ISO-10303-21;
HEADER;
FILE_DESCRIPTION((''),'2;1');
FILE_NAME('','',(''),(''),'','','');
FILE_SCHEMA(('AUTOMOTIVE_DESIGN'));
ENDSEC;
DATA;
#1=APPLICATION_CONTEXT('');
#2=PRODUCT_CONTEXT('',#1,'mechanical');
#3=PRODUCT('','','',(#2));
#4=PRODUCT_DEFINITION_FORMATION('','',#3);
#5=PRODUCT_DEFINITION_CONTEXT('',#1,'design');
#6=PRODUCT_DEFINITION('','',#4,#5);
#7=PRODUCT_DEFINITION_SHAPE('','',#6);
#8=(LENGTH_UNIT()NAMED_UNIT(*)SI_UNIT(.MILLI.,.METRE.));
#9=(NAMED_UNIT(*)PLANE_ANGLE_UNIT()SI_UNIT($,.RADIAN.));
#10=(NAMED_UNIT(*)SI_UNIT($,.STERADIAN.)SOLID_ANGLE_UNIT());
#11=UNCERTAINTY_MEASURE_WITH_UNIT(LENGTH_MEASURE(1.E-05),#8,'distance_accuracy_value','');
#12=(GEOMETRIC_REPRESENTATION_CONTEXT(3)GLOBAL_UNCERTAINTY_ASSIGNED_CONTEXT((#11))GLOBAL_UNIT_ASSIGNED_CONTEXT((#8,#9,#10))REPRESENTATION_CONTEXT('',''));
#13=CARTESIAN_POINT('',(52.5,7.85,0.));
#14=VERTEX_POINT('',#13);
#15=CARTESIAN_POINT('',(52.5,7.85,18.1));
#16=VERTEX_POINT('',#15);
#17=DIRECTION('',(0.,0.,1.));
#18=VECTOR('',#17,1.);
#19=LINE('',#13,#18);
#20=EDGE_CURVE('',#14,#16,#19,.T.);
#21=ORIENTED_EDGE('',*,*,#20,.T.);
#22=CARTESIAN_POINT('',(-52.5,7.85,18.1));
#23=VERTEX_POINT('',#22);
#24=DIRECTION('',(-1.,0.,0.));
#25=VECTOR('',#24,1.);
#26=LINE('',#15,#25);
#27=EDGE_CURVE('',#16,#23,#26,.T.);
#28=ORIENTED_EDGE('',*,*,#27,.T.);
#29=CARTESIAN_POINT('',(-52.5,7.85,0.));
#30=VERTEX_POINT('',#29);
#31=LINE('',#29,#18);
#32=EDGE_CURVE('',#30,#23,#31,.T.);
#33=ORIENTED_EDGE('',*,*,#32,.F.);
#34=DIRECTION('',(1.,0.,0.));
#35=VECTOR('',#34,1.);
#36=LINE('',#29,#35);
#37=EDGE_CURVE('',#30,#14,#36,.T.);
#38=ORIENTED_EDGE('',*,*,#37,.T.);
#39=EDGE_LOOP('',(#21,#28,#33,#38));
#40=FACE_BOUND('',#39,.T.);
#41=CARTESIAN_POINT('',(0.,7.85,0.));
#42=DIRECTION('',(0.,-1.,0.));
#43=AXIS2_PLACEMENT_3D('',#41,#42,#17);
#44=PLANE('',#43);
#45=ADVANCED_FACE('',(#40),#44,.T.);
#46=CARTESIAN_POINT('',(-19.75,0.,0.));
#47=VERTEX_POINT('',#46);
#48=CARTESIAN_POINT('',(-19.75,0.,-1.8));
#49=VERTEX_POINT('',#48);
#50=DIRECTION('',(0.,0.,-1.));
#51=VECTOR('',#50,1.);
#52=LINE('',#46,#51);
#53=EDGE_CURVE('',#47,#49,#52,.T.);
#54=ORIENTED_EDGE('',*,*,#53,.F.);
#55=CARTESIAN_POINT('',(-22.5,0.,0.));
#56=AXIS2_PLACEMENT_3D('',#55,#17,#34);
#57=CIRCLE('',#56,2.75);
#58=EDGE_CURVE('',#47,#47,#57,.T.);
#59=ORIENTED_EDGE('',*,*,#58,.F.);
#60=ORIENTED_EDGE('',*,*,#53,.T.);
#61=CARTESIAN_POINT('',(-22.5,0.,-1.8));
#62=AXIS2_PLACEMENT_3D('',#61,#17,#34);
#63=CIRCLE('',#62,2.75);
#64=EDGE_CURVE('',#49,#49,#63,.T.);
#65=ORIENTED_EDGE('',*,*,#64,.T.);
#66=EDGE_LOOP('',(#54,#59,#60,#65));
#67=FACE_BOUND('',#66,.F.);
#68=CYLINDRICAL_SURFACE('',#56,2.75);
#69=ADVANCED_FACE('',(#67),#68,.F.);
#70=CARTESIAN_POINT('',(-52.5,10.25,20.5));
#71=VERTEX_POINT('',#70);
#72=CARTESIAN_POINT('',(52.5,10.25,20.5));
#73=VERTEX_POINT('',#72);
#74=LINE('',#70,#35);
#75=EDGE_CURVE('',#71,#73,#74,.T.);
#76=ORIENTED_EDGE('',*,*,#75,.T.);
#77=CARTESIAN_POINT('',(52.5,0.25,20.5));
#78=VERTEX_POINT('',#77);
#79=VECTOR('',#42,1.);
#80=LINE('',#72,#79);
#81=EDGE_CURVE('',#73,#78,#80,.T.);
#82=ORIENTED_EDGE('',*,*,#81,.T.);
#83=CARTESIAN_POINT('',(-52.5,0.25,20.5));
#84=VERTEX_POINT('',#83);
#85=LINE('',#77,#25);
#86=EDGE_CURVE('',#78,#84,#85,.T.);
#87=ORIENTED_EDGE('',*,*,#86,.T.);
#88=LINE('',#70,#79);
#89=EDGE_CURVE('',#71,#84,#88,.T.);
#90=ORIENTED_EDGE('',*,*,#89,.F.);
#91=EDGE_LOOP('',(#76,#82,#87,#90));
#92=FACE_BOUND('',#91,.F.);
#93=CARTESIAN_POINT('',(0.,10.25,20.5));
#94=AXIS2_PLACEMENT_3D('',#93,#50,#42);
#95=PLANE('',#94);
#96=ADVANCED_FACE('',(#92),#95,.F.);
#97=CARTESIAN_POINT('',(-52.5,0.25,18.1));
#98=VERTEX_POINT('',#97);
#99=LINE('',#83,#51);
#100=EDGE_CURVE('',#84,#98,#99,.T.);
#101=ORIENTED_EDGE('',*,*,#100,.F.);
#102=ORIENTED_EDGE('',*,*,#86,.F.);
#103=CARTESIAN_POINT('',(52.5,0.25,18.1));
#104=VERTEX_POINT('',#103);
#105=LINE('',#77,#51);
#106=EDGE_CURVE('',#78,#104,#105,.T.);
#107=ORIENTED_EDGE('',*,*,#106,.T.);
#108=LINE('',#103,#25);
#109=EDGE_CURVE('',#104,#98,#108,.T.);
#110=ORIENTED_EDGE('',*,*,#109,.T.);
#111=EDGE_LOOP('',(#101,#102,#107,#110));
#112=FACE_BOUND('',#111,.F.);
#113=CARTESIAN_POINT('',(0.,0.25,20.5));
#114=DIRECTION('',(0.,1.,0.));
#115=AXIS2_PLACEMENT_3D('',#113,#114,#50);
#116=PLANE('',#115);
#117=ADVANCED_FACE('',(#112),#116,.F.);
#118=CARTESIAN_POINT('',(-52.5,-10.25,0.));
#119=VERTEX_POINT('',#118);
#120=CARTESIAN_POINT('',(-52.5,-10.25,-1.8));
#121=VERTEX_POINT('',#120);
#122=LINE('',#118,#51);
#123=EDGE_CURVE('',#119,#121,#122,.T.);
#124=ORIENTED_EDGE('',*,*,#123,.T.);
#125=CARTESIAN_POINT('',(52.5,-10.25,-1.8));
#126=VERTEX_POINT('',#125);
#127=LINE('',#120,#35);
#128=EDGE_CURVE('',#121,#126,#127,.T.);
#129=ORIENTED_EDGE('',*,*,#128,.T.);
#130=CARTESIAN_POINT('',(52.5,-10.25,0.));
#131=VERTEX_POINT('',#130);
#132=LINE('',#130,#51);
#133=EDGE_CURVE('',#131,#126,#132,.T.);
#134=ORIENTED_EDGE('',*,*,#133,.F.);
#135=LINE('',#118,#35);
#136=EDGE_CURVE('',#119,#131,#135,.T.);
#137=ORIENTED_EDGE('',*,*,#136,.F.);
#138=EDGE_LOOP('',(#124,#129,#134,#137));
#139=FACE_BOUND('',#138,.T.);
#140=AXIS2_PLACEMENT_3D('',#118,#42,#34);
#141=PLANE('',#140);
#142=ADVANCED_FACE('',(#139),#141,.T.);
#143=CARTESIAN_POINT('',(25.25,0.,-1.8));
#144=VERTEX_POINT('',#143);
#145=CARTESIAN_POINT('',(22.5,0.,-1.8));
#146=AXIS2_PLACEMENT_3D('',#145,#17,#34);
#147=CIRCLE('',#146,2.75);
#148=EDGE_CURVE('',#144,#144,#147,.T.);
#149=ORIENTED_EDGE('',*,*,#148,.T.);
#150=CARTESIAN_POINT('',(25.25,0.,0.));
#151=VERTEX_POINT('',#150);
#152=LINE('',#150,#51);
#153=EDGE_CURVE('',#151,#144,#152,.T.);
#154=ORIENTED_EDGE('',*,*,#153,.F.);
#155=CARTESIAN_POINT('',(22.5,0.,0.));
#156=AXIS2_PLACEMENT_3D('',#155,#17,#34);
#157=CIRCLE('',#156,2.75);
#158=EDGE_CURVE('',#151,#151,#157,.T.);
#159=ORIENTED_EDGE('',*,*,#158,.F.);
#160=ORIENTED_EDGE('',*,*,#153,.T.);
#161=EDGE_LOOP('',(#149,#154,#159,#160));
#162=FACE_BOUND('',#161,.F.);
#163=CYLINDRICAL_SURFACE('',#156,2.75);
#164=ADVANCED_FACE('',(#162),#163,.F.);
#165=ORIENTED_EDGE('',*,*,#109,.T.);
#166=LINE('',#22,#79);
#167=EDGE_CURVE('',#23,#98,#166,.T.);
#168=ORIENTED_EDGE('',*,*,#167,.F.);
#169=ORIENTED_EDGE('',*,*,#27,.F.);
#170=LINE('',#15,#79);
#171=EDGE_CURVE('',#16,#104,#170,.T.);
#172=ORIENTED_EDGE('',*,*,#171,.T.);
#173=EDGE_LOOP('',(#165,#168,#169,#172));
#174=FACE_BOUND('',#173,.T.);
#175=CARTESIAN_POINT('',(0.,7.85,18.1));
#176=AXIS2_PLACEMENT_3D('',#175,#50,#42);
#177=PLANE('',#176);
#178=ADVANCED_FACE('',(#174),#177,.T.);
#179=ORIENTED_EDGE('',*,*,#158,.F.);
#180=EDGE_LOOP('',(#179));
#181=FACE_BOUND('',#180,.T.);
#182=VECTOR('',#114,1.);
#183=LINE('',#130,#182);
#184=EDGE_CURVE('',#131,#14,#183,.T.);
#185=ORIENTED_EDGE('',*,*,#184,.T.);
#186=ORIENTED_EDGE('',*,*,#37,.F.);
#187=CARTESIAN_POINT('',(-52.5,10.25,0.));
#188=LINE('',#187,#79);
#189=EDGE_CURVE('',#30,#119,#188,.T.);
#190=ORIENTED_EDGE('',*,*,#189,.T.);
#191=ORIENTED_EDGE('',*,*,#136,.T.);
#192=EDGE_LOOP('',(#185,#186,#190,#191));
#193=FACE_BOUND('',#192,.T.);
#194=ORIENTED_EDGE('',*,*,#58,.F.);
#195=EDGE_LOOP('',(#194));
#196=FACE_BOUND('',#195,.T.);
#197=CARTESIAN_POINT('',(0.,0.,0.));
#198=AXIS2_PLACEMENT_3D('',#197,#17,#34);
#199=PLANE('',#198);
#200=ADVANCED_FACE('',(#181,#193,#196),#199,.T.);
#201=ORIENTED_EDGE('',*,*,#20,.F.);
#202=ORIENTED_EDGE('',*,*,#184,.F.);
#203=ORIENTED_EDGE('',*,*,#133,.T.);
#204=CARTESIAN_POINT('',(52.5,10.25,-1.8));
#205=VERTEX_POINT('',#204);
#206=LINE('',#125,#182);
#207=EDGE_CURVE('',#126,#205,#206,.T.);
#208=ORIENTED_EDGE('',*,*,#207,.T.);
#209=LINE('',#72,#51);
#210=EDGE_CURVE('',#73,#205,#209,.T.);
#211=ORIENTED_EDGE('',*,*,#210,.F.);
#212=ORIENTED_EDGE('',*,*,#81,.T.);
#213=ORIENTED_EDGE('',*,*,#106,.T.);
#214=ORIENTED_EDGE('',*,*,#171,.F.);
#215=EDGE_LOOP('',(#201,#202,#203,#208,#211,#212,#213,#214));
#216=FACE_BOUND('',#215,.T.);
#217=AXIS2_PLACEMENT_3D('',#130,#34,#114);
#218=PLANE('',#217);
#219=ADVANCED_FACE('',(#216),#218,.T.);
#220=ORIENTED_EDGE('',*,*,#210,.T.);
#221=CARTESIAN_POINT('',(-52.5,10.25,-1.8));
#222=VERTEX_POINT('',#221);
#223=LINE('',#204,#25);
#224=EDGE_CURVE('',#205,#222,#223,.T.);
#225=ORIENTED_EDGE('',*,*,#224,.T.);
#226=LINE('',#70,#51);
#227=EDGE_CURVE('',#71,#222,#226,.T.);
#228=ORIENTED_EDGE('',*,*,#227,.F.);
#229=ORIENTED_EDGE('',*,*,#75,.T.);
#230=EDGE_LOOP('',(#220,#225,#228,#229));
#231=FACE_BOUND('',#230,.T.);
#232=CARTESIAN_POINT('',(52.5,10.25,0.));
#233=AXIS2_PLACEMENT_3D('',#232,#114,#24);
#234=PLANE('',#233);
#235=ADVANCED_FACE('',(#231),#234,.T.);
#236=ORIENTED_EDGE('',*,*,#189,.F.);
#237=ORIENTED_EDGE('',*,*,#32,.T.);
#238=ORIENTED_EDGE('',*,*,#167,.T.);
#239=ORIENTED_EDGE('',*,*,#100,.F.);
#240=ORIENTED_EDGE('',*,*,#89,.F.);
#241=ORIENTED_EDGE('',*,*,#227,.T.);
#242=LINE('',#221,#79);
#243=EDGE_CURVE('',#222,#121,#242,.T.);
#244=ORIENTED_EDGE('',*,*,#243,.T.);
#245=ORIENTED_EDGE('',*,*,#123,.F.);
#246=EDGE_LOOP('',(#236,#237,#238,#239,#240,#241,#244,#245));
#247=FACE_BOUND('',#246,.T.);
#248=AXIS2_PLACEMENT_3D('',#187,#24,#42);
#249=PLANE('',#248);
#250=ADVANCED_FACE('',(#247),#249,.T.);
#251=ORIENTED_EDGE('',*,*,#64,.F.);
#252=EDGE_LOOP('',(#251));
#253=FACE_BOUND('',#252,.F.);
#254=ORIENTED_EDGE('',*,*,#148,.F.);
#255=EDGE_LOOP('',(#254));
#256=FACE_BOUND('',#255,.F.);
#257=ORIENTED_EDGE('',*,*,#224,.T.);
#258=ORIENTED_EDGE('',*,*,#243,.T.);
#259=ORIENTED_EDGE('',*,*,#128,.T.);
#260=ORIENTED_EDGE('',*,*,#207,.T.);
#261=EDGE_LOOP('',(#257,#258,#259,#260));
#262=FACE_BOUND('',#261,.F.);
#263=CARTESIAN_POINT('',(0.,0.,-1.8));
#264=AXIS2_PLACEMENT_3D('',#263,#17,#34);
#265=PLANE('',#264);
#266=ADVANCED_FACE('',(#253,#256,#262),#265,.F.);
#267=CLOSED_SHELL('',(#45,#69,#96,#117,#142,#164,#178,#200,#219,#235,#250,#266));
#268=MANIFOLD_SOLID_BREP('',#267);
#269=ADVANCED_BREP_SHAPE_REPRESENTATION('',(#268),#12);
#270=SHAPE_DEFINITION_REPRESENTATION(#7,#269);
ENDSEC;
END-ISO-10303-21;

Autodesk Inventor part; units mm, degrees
ref_plane "YZ Plane" through (0, 0, 0) normal (1, 0, 0) x (0, 1, 0)
ref_plane "XZ Plane" through (0, 0, 0) normal (0, 1, 0) x (-1, 0, 0)
ref_plane "XY Plane" through (0, 0, 0) normal (0, 0, 1) x (1, 0, 0)
sketch "Skizze1" plane through (0, 0, 0) normal (0, 0, 1) x (1, 0, 0)
  line L0 (-52.5, -10.25) -> (52.5, -10.25)
  line L1 (52.5, -10.25) -> (52.5, 10.25)
  line L2 (52.5, 10.25) -> (-52.5, 10.25)
  line L3 (-52.5, 10.25) -> (-52.5, -10.25)
  line L4 (-52.5, -10.25) -> (52.5, 10.25) construction
  line L5 (52.5, -10.25) -> (-52.5, 10.25) construction
  line L6 (-52.5, 0) -> (52.5, 0) construction
  circle A0 centre (-22.5, 0) radius 2.75
  circle A1 centre (22.5, 0) radius 2.75
  line L7 (0, -14.35) -> (0, 14.35) construction
  point P0 (0, 0)
  dimension "d0" = 105
  dimension "d1" = 20.5
  dimension "d2" = 5.5
  dimension "d3" = 5.5
  dimension "d4" = 45
sketch "Skizze2" plane through (0, 0, 0) normal (1, 0, 0) x (0, 1, 0)
  line L0 (-14.35, 0) -> (14.35, 0) construction
  line L1 (0.25, 0) -> (10.25, 0)
  line L2 (10.25, 0) -> (10.25, 20.5)
  line L3 (10.25, 20.5) -> (0.25, 20.5)
  line L4 (0.25, 20.5) -> (0.25, 0)
  line L5 (0.25, 0) -> (7.85, 0)
  line L6 (7.85, 0) -> (7.85, 18.1)
  line L7 (7.85, 18.1) -> (0.25, 18.1)
  line L8 (0.25, 18.1) -> (0.25, 0)
  point P0 (0, 0)
  point P1 (10.25, 0)
  point P2 (0.25, 18.1)
  dimension "d5" = 20.5
  dimension "d6" = 2.4
  dimension "d7" = 2.4
  dimension "d12" = 10
extrude "Extrusion1" add sketch "Skizze1" against normal blind 1.8
extrude "Extrusion2" add sketch "Skizze2" along normal mid plane 105 contours L6 L7 L4 L3 L2 L1
equation "\"d7\" = d6"
equation "\"d10\" = d0"
properties part number "Door_Handle" material "ABS-Kunststoff"
